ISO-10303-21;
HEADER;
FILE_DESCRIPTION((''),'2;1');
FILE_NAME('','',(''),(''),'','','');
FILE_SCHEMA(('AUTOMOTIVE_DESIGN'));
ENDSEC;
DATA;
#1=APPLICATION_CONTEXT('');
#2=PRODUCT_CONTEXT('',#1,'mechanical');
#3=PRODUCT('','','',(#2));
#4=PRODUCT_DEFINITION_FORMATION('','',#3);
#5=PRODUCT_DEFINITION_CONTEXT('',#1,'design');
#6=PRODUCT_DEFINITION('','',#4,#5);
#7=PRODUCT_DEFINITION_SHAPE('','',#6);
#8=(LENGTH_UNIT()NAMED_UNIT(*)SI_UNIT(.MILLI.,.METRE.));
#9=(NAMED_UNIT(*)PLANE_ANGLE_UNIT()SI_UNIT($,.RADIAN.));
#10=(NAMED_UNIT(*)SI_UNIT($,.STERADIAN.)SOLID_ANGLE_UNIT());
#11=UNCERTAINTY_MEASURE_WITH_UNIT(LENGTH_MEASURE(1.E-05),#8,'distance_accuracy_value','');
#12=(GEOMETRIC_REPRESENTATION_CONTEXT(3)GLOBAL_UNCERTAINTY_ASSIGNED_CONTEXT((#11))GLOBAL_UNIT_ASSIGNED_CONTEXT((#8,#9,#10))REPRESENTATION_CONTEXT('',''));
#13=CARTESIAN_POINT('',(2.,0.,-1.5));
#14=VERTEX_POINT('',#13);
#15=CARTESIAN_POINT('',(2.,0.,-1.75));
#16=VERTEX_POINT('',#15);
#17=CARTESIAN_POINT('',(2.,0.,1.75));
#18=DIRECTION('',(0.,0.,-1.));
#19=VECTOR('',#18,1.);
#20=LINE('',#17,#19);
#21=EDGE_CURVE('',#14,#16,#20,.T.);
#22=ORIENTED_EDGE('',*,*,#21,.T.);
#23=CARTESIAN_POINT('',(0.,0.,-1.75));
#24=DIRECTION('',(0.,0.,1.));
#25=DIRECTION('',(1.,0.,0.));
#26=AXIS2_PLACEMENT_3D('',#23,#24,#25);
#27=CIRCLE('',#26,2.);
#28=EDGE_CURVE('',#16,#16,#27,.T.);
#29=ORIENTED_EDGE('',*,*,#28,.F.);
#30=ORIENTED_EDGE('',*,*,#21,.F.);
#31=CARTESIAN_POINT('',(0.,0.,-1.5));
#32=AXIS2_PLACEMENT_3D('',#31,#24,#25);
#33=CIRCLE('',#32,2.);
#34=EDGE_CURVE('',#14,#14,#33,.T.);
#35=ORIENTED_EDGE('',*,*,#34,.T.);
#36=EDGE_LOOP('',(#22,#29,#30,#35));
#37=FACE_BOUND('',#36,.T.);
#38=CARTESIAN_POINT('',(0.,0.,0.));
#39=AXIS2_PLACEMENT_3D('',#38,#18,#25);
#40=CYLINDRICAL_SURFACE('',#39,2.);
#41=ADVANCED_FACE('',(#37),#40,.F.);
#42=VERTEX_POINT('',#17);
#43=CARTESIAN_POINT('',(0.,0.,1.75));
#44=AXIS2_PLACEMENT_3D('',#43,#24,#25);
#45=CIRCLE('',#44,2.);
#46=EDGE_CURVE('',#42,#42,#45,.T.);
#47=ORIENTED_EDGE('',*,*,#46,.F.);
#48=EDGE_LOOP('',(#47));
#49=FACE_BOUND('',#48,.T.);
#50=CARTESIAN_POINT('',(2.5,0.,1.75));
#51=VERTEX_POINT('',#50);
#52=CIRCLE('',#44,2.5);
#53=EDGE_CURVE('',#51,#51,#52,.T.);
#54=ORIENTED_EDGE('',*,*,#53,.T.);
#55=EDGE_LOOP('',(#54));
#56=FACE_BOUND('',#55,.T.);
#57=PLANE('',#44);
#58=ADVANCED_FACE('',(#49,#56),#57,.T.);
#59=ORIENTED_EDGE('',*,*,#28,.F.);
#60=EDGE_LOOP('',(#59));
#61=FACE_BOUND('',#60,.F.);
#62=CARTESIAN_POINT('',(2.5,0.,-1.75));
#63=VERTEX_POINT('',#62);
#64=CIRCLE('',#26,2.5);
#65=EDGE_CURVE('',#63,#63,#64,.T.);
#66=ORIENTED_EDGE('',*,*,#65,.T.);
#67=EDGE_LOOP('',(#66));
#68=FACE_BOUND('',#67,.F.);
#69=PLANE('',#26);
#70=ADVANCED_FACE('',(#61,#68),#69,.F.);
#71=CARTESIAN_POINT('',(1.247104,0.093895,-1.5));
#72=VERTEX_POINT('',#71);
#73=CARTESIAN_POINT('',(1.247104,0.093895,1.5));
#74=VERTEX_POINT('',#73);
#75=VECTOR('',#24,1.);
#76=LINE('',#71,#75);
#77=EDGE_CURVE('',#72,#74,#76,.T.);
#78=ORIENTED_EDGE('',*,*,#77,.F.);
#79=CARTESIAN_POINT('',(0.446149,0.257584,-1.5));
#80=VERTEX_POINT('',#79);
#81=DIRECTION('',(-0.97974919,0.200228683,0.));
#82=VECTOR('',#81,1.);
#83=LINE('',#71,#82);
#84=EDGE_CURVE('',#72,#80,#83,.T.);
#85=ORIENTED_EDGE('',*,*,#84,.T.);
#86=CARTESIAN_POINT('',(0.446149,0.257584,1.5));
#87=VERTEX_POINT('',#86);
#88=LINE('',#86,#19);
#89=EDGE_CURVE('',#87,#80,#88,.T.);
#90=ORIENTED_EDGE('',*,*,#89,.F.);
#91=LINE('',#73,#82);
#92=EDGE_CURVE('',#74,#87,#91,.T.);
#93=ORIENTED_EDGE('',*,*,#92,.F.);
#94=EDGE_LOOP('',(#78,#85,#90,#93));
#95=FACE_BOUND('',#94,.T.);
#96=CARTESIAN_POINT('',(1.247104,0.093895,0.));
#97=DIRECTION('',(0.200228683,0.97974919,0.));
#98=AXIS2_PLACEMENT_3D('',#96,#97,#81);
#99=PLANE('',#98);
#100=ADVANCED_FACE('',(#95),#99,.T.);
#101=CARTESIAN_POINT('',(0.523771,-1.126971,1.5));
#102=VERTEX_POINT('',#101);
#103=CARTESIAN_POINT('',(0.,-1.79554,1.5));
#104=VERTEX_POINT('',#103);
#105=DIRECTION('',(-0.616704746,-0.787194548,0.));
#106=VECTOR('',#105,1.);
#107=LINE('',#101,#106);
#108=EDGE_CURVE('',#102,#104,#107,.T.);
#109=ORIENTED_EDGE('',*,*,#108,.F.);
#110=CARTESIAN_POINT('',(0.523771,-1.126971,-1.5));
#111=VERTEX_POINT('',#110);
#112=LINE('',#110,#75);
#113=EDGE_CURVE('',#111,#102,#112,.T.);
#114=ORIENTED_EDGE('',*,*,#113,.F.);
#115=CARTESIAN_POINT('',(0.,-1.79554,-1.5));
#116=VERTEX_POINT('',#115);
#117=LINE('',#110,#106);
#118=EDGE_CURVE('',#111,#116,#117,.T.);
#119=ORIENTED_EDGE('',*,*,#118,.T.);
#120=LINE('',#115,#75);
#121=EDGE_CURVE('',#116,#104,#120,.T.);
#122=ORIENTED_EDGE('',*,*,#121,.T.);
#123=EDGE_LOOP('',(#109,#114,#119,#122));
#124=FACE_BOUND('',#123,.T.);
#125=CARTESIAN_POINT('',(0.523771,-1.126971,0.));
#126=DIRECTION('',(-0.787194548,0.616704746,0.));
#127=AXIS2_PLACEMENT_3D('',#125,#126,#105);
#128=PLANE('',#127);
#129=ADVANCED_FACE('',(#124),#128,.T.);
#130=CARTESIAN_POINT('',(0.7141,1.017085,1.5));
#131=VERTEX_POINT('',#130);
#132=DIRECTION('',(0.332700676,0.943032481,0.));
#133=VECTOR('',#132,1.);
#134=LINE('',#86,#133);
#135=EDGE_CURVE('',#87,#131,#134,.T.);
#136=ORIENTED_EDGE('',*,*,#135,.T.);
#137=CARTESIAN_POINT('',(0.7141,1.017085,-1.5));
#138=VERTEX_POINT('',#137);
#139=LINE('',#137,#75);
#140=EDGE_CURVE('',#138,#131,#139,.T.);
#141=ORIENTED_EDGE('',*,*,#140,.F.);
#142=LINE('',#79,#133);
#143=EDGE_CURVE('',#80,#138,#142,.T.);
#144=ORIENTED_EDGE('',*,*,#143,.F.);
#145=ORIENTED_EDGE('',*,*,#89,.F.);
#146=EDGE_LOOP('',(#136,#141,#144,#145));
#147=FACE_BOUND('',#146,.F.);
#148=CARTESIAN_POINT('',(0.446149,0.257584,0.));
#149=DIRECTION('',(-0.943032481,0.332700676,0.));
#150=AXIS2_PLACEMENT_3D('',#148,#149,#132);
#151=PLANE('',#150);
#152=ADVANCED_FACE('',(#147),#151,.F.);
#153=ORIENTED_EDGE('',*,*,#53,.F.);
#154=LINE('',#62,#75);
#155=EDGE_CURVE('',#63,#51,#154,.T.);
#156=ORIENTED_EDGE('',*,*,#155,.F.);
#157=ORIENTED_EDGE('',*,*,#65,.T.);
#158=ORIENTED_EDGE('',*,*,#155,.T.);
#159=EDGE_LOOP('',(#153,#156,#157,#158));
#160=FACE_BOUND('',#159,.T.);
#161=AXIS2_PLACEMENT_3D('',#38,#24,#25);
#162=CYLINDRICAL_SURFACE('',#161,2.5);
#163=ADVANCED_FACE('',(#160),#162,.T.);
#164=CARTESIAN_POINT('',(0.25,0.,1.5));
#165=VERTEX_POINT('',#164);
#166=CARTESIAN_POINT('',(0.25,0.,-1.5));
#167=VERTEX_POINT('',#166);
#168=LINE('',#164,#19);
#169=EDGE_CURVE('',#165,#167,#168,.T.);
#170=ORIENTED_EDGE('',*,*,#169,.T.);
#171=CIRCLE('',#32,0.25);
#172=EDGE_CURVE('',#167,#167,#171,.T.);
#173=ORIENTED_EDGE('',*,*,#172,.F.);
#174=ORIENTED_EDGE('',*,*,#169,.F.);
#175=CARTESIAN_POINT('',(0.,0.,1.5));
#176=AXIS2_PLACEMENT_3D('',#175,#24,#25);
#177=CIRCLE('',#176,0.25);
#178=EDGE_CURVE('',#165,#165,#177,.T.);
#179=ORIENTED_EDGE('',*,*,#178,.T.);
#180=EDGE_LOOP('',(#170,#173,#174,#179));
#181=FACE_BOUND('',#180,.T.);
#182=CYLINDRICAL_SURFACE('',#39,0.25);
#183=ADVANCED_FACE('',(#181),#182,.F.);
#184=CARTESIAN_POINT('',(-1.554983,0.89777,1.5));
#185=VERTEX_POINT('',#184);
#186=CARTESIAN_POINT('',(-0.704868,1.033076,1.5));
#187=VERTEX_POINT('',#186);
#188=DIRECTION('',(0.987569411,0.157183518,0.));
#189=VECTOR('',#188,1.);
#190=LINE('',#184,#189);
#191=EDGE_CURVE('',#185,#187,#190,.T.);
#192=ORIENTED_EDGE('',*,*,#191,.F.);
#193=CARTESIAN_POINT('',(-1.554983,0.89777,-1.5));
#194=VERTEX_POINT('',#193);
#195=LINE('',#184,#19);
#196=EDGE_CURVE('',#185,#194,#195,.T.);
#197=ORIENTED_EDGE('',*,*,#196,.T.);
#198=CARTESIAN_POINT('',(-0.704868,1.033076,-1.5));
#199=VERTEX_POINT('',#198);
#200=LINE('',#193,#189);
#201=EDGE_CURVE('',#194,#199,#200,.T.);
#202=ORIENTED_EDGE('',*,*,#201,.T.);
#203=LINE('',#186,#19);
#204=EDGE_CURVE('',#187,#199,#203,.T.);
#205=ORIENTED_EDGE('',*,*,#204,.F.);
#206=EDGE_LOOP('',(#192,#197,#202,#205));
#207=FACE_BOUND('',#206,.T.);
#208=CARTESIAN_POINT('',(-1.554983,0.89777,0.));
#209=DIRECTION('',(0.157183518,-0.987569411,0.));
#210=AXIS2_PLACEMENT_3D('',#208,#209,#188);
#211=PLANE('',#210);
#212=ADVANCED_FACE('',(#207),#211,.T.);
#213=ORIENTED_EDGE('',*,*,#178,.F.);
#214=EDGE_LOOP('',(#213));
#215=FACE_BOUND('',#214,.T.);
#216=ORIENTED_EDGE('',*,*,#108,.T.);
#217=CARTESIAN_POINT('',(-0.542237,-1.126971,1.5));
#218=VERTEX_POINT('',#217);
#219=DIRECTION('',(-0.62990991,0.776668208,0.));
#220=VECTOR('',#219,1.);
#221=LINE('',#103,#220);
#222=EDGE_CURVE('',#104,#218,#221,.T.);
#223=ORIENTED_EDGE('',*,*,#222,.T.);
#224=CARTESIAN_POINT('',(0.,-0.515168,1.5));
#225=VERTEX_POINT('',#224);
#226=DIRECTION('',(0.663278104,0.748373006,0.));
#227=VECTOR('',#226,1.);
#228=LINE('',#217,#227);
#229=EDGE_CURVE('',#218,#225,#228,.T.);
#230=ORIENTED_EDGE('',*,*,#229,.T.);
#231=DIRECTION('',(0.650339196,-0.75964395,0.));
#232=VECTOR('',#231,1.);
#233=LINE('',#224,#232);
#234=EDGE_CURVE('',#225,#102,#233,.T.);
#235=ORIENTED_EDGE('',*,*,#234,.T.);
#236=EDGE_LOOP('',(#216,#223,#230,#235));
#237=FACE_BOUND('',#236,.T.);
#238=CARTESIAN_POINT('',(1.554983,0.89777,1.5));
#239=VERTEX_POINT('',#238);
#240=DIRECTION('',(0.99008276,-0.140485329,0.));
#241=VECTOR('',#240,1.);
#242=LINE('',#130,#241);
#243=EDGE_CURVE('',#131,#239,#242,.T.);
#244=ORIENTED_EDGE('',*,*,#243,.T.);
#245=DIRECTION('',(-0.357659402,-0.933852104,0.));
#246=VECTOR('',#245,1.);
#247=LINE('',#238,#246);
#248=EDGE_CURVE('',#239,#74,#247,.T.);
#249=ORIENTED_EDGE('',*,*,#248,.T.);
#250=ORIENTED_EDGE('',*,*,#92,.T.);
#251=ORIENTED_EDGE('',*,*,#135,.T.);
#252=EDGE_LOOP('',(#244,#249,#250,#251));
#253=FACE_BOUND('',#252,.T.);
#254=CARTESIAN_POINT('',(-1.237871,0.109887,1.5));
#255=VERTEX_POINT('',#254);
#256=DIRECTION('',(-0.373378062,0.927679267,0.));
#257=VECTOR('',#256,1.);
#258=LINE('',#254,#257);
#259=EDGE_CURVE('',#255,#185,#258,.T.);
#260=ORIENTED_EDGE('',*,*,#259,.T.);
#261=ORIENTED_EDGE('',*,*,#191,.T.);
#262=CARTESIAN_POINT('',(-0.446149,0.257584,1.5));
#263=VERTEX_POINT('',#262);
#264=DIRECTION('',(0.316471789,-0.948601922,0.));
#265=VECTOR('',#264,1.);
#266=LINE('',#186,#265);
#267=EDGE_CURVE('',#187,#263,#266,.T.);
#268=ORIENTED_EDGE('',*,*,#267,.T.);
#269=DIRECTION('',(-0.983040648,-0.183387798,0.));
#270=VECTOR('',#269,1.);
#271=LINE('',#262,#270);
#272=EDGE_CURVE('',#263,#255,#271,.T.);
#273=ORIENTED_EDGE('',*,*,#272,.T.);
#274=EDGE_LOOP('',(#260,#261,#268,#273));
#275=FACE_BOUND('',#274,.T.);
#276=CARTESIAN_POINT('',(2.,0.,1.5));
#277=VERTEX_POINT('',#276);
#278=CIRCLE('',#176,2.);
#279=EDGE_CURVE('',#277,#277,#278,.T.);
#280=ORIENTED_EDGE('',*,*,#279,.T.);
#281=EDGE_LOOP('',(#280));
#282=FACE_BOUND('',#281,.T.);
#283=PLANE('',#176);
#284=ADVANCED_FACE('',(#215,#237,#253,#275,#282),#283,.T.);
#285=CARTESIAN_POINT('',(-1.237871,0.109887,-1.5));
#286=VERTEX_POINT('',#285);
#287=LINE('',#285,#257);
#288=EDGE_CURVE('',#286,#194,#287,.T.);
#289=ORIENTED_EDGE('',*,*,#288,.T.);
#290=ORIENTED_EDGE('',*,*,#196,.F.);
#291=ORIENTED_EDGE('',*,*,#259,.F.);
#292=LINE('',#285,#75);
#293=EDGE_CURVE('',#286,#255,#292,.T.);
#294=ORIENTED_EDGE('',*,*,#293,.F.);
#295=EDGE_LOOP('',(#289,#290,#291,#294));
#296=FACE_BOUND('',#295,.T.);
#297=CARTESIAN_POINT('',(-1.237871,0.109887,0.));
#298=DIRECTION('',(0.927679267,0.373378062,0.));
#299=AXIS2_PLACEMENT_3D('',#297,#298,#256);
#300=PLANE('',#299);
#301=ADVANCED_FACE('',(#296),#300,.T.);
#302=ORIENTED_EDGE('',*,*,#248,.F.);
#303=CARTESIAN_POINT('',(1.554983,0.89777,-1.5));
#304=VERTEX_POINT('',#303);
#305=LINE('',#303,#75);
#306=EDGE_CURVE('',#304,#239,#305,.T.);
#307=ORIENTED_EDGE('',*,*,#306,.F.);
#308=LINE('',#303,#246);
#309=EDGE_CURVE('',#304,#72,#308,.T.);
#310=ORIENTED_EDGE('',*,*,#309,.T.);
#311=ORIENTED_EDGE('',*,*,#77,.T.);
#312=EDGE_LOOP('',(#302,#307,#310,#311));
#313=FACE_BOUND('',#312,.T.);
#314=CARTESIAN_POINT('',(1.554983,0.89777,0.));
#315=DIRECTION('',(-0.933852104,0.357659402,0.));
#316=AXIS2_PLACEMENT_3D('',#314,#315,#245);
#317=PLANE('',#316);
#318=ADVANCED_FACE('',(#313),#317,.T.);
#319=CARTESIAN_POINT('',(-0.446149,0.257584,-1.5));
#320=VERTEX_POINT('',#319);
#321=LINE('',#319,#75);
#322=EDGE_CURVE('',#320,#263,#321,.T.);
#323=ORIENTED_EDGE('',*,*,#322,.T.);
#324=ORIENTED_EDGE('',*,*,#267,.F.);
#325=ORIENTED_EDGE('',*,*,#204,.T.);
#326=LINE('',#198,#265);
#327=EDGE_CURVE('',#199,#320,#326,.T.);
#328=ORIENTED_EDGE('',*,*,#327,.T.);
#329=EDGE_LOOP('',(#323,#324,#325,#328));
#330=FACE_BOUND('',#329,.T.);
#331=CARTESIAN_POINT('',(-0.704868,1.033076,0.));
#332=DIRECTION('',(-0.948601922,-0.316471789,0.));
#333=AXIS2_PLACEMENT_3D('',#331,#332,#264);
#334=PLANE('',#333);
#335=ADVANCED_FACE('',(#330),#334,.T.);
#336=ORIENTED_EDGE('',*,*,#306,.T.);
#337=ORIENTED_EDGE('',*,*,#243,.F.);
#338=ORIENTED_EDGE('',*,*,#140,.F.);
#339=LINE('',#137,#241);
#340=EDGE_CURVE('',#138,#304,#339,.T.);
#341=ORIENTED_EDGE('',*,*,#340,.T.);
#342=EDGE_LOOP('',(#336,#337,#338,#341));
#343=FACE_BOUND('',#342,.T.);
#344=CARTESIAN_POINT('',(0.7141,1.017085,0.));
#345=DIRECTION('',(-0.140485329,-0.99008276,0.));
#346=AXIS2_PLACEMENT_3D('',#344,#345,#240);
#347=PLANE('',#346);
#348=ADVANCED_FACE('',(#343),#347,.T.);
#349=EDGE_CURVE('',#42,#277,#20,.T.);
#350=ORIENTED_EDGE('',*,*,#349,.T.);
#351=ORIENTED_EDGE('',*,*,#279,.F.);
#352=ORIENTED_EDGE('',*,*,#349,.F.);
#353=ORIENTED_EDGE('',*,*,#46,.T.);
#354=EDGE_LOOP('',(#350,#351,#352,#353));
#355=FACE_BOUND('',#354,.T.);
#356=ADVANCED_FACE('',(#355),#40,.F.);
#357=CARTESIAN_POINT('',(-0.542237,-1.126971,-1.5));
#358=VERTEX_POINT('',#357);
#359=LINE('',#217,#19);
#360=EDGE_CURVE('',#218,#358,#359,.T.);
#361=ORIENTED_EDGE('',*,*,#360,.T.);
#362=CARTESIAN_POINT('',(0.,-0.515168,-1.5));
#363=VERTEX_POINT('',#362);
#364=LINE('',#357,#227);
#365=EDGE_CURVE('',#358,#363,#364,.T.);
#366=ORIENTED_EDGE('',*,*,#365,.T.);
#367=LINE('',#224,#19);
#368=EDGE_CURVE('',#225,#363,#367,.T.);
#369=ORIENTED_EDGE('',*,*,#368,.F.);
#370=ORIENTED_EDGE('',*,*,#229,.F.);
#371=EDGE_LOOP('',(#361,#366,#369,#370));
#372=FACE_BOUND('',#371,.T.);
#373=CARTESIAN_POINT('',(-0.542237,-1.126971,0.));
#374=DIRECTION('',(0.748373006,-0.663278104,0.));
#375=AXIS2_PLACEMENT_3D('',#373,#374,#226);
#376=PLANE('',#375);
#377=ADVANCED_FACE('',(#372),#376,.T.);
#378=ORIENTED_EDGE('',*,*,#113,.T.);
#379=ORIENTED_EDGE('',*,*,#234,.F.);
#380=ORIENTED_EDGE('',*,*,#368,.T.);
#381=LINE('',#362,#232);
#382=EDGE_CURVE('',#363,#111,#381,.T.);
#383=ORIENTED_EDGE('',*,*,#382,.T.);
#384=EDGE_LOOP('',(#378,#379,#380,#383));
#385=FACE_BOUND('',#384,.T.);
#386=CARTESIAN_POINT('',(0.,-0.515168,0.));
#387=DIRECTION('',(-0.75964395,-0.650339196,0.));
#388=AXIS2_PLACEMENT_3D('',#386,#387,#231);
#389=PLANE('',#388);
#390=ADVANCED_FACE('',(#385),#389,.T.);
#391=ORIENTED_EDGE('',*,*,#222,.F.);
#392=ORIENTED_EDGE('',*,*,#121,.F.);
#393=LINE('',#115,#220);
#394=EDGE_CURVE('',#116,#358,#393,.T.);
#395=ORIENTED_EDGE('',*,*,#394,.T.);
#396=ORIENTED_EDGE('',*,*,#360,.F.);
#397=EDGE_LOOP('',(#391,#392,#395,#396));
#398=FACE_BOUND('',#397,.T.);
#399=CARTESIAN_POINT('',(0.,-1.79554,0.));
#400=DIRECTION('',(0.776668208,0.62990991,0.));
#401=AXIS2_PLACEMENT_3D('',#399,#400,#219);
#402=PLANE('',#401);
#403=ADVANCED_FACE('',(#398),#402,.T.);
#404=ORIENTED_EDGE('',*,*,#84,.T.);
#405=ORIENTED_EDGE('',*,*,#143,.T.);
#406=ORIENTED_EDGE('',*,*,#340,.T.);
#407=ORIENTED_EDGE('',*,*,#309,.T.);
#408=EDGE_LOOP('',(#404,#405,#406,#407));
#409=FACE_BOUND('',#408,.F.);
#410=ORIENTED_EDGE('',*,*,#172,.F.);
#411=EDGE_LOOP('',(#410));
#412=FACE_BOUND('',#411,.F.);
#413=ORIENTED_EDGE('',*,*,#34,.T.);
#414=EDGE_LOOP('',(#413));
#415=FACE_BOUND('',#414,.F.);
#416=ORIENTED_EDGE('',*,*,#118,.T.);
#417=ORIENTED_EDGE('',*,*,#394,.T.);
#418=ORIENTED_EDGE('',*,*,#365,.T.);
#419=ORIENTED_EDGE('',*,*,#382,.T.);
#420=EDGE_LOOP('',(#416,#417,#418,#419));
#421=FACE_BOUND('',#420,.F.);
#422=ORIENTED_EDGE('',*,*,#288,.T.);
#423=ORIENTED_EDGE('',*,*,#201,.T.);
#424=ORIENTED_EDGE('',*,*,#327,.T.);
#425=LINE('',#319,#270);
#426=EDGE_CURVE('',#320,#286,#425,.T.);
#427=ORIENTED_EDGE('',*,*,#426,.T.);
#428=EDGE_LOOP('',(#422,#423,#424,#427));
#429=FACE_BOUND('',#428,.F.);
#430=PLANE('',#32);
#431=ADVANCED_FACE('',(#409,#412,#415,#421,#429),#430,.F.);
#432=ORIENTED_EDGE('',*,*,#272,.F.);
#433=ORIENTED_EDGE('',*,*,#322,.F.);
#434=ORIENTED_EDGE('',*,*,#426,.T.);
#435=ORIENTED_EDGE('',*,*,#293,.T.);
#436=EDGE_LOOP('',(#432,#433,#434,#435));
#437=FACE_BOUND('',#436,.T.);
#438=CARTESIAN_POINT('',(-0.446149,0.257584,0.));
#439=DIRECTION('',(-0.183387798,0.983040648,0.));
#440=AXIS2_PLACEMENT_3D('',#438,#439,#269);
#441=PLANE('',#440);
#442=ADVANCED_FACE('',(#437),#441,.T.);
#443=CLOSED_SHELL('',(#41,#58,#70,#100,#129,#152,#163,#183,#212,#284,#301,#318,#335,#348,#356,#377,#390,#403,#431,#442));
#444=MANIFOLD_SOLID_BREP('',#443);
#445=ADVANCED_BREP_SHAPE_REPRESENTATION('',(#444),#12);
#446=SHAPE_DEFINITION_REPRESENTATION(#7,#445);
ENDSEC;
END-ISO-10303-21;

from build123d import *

# Parameters (mm, degrees)
F0_R     = 2
F0_R_2   = 0.25
F1_DEPTH = 1.5
F0_R_3   = 2.5
F2_DEPTH = 1.75


with BuildPart() as f1:
    # F0 (on Top) → F1 (new body, symmetric)
    with BuildSketch(Plane.XY):
        Circle(F0_R)
        Polygon((0.523771, -1.126971), (0, -1.79554), (-0.542237, -1.126971), (0, -0.515168), align=None, mode=Mode.SUBTRACT)
        Polygon((-0.446149, 0.257584), (-1.237871, 0.109887), (-1.554983, 0.89777), (-0.704868, 1.033076), align=None, mode=Mode.SUBTRACT)
        Circle(F0_R_2, mode=Mode.SUBTRACT)
        Polygon((0.446149, 0.257584), (0.7141, 1.017085), (1.554983, 0.89777), (1.247104, 0.093895), align=None, mode=Mode.SUBTRACT)
    extrude(amount=F1_DEPTH, both=True)

    # F0 (on Top) → F2 (join, symmetric)
    with BuildSketch(Plane.XY):
        Circle(F0_R_3)
        Circle(F0_R, mode=Mode.SUBTRACT)
    extrude(amount=F2_DEPTH, both=True)


solid = f1.part
